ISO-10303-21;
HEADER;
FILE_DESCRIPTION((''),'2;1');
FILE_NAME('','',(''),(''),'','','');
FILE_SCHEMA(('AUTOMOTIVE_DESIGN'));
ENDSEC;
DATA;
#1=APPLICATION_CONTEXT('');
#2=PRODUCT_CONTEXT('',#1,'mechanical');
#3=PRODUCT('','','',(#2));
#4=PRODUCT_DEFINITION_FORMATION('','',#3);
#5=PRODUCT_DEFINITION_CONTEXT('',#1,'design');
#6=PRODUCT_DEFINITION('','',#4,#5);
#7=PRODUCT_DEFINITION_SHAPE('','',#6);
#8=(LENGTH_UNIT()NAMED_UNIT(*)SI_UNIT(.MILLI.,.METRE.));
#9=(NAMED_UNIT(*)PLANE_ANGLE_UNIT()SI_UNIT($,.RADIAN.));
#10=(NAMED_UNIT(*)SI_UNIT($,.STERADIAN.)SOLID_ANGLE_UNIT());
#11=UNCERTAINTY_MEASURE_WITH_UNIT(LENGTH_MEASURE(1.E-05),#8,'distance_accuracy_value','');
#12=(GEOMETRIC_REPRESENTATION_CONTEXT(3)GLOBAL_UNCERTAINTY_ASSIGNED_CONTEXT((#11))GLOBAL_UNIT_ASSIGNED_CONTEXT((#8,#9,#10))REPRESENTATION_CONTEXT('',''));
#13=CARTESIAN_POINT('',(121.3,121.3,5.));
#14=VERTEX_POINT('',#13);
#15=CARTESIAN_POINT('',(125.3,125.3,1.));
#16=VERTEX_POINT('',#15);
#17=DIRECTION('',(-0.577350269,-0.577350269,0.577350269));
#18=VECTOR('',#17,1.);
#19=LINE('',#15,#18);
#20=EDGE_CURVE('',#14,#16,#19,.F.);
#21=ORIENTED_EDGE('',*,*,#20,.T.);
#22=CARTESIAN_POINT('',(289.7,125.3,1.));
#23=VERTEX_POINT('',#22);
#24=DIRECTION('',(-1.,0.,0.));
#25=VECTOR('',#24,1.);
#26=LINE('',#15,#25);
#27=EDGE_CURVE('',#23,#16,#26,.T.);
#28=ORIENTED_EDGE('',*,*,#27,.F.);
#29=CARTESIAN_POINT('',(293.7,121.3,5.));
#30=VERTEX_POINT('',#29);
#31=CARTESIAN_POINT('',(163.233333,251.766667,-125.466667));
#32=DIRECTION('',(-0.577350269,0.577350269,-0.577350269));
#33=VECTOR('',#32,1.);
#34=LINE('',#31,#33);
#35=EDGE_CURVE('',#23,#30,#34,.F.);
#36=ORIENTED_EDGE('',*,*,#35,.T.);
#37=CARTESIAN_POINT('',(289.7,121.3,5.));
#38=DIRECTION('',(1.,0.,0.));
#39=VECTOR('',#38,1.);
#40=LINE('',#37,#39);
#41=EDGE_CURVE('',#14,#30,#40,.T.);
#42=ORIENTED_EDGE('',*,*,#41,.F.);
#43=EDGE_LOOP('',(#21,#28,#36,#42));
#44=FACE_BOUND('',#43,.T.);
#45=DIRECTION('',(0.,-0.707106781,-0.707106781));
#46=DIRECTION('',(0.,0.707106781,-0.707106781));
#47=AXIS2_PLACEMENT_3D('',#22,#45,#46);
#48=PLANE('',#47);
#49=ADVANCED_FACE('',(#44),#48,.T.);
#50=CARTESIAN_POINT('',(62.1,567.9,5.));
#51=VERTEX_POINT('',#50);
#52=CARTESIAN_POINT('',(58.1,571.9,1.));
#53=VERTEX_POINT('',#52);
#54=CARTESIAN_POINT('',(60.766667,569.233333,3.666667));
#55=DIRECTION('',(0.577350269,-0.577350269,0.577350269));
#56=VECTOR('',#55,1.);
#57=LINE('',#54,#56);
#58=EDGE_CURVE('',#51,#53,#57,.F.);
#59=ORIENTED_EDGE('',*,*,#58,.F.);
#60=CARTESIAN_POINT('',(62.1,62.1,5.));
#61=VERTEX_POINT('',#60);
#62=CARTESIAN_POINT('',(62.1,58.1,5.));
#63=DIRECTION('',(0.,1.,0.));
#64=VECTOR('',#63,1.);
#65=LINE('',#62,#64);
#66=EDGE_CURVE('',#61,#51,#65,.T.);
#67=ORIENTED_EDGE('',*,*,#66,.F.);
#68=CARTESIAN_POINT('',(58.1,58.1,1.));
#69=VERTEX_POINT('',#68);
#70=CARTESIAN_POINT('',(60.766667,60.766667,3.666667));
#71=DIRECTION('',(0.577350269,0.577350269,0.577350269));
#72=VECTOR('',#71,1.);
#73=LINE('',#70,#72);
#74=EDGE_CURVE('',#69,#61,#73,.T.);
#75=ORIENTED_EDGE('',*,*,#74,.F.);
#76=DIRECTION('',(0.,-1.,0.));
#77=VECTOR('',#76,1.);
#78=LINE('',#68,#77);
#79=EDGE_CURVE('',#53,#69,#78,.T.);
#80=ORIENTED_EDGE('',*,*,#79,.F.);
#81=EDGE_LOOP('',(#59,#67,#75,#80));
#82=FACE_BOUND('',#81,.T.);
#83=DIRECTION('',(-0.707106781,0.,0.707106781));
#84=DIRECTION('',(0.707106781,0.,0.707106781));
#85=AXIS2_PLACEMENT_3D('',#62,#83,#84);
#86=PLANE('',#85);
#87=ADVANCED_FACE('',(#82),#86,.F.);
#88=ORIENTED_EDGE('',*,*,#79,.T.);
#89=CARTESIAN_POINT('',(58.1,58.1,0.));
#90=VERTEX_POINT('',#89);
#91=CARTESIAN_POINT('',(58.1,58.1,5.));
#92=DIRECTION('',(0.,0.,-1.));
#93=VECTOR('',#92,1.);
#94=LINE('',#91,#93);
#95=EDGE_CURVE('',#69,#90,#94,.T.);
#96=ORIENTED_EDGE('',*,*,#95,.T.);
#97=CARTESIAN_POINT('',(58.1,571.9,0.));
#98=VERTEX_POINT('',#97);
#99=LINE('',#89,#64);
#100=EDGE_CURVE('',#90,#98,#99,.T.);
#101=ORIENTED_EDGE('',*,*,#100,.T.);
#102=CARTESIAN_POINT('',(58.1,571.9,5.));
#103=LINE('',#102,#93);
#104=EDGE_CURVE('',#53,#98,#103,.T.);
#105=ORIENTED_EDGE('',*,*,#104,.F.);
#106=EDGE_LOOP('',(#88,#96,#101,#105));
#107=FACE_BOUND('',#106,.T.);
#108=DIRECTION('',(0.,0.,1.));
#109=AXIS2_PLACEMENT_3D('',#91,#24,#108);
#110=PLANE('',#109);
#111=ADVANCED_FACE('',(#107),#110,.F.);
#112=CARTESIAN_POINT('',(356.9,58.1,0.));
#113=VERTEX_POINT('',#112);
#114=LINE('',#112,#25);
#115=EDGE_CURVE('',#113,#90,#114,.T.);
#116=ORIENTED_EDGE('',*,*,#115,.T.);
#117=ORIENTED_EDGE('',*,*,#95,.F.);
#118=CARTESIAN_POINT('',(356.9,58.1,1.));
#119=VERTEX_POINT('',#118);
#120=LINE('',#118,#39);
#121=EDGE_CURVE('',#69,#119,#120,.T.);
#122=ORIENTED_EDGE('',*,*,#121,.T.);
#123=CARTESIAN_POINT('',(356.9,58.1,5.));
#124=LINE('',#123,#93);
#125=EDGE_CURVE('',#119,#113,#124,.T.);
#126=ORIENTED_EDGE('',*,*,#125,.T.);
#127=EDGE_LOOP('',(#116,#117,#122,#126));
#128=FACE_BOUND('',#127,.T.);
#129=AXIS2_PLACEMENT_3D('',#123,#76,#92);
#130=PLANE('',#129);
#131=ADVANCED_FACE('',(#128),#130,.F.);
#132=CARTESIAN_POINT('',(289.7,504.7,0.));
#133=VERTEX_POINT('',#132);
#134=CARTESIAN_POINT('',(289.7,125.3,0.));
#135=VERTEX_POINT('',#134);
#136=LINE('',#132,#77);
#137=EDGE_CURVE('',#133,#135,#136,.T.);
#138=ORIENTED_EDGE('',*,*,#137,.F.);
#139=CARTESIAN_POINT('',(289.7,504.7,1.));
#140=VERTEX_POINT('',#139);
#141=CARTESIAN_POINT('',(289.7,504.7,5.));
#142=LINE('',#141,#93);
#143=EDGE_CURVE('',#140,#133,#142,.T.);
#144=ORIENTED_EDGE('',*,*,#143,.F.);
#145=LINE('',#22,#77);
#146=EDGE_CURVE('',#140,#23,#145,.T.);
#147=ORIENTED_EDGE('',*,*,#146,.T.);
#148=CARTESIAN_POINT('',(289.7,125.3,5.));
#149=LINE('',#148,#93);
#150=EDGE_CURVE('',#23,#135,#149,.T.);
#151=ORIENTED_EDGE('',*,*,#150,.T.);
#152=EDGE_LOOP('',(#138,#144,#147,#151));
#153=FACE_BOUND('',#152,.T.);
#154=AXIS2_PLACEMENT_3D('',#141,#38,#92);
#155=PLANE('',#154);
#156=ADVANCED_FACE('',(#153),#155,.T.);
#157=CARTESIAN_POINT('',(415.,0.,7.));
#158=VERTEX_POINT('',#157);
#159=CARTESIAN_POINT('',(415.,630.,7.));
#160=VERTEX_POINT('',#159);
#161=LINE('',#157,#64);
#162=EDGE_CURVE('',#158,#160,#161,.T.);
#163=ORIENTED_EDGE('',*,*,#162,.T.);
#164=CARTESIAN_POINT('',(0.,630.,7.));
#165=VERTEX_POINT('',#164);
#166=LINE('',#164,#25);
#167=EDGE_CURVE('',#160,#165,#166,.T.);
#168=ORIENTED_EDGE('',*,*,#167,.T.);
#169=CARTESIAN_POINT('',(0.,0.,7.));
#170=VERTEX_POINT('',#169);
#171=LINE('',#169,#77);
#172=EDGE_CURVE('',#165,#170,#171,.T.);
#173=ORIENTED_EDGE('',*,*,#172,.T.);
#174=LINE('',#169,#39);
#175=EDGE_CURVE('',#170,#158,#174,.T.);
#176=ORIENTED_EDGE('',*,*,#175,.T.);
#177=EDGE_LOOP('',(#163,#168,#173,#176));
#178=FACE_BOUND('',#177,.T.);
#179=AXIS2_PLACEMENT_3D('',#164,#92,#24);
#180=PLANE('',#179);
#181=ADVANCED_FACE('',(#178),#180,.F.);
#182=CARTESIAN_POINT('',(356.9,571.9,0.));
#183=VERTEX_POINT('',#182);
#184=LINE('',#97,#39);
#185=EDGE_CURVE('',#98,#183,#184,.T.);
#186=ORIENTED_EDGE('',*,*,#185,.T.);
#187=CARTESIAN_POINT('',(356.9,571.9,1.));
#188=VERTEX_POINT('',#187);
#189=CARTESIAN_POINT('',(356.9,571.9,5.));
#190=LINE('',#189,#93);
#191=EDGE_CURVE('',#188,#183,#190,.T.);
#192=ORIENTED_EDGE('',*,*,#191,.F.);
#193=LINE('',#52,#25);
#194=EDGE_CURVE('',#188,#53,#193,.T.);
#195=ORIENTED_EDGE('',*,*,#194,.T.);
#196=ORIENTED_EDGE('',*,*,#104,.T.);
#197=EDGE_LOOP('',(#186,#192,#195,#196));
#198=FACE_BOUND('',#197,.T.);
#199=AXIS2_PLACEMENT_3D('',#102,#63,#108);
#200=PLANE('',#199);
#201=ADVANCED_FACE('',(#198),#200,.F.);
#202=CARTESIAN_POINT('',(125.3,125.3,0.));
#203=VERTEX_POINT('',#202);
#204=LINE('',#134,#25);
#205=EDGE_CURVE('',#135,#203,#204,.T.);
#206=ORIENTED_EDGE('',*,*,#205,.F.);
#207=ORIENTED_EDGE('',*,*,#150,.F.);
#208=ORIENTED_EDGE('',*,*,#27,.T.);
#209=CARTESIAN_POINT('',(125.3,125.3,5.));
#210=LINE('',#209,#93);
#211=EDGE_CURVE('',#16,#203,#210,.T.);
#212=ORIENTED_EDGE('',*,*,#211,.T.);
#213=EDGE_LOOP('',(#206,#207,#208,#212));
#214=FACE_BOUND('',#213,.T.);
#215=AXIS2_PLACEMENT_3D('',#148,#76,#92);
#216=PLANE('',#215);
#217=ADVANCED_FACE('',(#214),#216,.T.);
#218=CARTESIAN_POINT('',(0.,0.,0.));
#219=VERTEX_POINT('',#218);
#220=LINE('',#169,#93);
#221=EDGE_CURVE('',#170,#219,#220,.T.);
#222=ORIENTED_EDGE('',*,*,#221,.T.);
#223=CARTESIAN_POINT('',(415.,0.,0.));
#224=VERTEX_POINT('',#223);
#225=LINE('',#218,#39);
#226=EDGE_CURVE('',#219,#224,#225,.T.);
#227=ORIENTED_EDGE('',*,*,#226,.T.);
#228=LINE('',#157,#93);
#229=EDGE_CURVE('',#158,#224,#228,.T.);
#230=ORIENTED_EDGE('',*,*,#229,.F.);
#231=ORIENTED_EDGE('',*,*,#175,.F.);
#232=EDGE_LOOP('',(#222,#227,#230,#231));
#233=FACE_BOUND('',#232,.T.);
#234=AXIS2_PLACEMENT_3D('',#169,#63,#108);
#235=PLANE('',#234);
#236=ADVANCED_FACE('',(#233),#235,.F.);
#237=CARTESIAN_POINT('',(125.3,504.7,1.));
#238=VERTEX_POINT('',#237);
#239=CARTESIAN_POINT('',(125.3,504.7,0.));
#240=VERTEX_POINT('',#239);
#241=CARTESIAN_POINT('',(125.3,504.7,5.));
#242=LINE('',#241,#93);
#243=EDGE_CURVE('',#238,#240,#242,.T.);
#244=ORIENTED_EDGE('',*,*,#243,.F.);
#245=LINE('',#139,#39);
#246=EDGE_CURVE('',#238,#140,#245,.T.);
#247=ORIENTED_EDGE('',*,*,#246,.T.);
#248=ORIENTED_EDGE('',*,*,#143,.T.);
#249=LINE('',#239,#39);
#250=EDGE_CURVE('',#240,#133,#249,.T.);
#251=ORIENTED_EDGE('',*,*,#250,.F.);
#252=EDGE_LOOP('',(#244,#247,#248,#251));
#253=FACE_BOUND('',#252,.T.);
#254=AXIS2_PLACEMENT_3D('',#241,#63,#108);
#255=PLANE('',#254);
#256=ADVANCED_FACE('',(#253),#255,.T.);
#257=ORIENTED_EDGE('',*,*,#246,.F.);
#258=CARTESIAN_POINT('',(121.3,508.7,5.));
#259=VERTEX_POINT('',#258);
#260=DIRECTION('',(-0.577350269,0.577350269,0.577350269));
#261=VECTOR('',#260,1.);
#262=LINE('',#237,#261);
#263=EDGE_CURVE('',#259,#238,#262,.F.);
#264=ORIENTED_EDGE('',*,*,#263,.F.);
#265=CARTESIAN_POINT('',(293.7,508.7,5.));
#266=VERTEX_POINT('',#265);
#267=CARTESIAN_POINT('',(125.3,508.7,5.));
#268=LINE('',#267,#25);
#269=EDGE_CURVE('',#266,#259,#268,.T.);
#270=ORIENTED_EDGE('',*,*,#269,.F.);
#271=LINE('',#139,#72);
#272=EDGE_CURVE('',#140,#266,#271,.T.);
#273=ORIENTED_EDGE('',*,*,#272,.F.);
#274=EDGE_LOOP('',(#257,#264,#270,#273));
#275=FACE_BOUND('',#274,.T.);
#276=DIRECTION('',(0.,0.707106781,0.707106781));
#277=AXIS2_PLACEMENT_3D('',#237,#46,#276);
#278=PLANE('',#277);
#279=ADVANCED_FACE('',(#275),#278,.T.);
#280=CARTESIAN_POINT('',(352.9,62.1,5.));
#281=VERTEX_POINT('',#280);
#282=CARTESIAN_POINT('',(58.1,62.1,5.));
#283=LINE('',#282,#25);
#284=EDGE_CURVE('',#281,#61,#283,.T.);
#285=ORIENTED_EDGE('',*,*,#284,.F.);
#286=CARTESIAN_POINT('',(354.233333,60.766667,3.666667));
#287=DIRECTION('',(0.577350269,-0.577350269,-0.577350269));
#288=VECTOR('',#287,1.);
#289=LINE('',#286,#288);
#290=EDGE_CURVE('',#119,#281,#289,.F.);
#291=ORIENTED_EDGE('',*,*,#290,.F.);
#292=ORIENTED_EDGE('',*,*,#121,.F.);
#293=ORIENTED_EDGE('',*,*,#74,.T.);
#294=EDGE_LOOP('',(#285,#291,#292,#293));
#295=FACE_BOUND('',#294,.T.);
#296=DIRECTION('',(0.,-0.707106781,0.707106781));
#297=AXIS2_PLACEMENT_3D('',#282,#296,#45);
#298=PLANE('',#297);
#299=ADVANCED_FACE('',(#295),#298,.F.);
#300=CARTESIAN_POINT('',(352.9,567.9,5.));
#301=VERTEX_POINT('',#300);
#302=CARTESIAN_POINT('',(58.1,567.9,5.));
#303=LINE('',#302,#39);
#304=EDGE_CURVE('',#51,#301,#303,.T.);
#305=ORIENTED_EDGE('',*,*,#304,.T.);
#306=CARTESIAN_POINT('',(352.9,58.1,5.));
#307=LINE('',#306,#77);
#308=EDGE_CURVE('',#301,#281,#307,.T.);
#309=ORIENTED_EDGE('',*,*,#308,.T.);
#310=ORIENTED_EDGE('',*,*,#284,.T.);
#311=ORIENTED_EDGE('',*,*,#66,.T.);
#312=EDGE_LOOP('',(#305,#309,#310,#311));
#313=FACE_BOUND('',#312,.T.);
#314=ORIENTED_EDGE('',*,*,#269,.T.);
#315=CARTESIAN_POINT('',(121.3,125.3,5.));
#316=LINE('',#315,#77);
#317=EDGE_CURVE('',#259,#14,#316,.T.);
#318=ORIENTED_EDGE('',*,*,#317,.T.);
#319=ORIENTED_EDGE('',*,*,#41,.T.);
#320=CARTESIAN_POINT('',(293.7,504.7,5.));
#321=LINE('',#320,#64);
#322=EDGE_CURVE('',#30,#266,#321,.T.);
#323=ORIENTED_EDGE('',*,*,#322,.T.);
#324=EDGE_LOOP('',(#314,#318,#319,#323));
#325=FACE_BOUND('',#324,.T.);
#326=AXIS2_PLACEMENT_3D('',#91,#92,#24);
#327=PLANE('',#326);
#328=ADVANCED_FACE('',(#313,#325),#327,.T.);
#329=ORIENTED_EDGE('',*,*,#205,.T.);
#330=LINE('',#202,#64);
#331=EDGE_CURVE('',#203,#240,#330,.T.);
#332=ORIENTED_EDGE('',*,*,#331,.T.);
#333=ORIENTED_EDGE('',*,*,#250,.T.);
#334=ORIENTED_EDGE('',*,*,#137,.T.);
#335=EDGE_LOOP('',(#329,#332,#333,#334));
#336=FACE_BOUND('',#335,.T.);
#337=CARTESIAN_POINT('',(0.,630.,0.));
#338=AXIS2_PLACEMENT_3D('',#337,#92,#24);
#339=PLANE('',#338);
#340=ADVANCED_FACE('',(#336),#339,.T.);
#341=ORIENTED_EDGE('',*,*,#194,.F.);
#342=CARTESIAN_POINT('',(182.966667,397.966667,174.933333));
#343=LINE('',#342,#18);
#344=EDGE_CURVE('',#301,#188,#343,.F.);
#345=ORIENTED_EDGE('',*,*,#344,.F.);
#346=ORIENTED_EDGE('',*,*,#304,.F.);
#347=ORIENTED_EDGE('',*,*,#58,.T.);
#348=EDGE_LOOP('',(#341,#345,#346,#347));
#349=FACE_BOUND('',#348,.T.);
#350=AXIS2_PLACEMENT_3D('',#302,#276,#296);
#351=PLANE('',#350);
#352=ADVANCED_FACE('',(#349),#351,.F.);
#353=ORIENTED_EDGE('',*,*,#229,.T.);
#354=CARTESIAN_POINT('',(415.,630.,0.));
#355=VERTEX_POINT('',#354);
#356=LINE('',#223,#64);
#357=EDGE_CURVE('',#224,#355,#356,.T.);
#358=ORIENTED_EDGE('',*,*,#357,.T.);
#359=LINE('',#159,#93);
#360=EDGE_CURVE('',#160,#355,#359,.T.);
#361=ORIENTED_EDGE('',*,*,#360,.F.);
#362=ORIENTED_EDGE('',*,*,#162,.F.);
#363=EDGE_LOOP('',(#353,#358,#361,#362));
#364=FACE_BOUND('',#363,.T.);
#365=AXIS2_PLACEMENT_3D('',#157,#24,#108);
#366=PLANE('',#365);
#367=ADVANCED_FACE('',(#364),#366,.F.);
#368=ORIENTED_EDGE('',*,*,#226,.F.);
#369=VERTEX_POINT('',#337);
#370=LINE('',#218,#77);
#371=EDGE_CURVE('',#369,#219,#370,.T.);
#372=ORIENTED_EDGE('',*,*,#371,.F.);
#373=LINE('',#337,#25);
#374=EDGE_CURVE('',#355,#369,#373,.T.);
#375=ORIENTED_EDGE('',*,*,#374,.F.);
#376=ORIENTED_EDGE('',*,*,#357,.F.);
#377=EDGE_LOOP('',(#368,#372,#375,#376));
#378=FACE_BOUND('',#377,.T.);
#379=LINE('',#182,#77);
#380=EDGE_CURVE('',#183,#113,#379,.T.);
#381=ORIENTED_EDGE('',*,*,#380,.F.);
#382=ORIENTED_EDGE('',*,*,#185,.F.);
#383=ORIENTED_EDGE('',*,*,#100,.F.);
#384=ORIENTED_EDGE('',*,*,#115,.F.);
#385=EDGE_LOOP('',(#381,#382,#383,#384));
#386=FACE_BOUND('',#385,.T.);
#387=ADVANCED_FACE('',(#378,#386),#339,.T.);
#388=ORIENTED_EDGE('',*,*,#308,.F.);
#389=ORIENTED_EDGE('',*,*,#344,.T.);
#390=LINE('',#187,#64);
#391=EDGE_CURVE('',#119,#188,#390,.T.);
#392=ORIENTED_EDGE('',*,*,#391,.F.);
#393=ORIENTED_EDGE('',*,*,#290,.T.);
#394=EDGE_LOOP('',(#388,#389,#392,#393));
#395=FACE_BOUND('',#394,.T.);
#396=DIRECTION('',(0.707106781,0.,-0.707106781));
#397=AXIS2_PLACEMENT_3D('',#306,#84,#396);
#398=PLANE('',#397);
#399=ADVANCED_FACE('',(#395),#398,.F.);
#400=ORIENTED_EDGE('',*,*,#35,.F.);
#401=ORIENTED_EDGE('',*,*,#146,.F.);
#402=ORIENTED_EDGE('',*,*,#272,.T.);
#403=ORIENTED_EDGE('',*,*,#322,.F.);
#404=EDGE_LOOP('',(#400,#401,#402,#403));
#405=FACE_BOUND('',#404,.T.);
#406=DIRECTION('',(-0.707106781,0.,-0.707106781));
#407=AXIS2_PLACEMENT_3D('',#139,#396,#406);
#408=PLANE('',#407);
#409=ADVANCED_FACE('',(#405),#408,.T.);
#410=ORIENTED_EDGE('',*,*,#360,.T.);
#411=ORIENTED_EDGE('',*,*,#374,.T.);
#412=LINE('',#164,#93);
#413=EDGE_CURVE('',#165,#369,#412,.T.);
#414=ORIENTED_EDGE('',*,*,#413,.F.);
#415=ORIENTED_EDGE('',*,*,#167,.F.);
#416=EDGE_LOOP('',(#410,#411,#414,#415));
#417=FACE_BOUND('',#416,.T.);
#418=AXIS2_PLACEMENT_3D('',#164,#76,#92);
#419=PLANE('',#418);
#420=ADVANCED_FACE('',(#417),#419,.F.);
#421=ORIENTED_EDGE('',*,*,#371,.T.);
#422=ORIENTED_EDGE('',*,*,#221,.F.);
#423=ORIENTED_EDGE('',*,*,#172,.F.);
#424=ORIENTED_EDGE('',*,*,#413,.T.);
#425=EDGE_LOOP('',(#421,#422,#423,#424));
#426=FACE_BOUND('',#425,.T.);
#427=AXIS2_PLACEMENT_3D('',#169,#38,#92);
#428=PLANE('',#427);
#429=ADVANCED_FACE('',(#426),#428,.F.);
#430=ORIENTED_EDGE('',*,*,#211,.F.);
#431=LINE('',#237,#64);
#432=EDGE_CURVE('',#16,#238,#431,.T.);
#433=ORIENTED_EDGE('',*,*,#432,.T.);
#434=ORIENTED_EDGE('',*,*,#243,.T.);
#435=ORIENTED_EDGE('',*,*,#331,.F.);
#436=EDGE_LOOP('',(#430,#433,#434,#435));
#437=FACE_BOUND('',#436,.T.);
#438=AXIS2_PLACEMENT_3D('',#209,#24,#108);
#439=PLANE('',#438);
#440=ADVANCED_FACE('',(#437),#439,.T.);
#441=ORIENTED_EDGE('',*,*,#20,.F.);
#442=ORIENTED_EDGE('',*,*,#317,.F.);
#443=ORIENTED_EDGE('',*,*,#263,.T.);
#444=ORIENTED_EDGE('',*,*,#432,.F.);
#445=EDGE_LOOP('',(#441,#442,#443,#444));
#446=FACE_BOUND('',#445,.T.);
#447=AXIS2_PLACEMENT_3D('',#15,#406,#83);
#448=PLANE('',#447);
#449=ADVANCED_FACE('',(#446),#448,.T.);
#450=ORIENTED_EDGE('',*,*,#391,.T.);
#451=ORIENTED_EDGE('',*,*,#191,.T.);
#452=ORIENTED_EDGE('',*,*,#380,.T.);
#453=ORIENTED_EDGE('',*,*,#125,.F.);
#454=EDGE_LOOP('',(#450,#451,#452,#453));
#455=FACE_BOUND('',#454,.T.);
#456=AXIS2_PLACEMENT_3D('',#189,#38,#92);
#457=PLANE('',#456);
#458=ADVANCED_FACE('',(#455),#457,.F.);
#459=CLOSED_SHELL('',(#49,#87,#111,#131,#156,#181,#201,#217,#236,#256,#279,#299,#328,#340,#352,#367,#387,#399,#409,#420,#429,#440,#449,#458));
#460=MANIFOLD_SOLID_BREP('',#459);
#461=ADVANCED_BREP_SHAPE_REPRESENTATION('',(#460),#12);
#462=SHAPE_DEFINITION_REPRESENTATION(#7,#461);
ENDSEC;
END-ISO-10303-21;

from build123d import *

# Parameters (mm, degrees)
SKETCH1_W          = 415
SKETCH1_H          = 630
BASE_EXTRUDE_DEPTH = 7
SKETCH19_W         = 298.8
SKETCH19_H         = 513.8
SKETCH19_W_2       = 164.4
SKETCH19_H_2       = 379.4
CUT_EXTRUDE1_DEPTH = 5
CHAMFER1_SIZE      = 4


with BuildPart() as part:
    # Sketch1 → Base-Extrude (new body)
    with BuildSketch(Plane.XY):
        with Locations((207.5, 315)):
            Rectangle(SKETCH1_W, SKETCH1_H)
    extrude(amount=BASE_EXTRUDE_DEPTH)

    # Sketch19 → Cut-Extrude1 (cut)
    with BuildSketch(Plane(origin=(0, 0, 0), x_dir=(-1, 0, 0), z_dir=(0, 0, -1))):
        with Locations((-207.5, 315)):
            Rectangle(SKETCH19_W, SKETCH19_H)
        with Locations((-207.5, 315)):
            Rectangle(SKETCH19_W_2, SKETCH19_H_2, mode=Mode.SUBTRACT)
    extrude(amount=-CUT_EXTRUDE1_DEPTH, mode=Mode.SUBTRACT)

    # Chamfer1
    chamfer1_edges = [part.edges().sort_by_distance(p)[0] for p in [
        (207.5, 58.1, 5),
        (356.9, 315, 5),
        (207.5, 571.9, 5),
        (58.1, 315, 5),
        (289.7, 315, 5),
        (207.5, 125.3, 5),
        (125.3, 315, 5),
        (207.5, 504.7, 5),
    ]]
    chamfer(chamfer1_edges, length=CHAMFER1_SIZE)


solid = part.part
